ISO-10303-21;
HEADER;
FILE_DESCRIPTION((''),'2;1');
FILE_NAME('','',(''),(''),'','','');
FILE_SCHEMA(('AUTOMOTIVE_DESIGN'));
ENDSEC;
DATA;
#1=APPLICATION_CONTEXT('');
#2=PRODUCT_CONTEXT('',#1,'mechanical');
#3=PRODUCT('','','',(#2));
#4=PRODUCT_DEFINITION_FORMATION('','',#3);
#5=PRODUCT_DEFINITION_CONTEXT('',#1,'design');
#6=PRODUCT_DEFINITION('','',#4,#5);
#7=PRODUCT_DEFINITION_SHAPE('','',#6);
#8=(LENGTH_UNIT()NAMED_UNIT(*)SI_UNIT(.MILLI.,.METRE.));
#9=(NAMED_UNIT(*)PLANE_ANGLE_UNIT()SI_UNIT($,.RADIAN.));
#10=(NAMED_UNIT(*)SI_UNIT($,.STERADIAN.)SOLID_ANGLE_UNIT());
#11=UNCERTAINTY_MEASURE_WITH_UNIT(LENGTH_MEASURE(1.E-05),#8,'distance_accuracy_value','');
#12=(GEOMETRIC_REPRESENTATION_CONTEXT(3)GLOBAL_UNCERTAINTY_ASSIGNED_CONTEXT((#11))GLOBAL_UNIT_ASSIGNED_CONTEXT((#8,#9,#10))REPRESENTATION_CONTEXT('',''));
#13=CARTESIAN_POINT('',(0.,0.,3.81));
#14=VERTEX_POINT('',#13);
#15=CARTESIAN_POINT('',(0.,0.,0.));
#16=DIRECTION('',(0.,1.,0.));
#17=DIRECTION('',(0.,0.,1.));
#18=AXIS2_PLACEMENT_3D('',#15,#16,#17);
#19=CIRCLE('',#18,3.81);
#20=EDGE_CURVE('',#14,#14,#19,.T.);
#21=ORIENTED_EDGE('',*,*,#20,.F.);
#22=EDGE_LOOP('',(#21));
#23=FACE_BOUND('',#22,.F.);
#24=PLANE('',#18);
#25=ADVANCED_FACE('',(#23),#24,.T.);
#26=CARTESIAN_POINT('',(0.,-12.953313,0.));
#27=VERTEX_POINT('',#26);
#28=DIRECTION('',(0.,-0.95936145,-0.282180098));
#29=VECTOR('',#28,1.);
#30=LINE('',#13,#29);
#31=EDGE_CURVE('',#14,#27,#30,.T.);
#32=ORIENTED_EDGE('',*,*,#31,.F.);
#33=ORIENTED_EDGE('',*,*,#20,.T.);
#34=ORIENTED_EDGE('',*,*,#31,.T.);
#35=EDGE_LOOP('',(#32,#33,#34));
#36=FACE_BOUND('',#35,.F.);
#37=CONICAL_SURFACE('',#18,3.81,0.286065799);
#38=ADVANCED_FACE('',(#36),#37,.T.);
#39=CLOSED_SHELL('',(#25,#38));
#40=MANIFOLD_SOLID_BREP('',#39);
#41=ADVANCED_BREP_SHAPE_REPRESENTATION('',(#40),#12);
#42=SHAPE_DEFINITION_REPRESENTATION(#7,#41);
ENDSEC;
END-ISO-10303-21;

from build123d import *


with BuildPart() as f1:
    # F0 (on Right) → F1 (revolve)
    with BuildSketch(Plane.YZ):
        Polygon((-12.953313, 0), (0, 0), (0, 3.81), align=None)
    revolve(axis=Axis((0, -6.476656, 0), (0, 1, 0)))


solid = f1.part
